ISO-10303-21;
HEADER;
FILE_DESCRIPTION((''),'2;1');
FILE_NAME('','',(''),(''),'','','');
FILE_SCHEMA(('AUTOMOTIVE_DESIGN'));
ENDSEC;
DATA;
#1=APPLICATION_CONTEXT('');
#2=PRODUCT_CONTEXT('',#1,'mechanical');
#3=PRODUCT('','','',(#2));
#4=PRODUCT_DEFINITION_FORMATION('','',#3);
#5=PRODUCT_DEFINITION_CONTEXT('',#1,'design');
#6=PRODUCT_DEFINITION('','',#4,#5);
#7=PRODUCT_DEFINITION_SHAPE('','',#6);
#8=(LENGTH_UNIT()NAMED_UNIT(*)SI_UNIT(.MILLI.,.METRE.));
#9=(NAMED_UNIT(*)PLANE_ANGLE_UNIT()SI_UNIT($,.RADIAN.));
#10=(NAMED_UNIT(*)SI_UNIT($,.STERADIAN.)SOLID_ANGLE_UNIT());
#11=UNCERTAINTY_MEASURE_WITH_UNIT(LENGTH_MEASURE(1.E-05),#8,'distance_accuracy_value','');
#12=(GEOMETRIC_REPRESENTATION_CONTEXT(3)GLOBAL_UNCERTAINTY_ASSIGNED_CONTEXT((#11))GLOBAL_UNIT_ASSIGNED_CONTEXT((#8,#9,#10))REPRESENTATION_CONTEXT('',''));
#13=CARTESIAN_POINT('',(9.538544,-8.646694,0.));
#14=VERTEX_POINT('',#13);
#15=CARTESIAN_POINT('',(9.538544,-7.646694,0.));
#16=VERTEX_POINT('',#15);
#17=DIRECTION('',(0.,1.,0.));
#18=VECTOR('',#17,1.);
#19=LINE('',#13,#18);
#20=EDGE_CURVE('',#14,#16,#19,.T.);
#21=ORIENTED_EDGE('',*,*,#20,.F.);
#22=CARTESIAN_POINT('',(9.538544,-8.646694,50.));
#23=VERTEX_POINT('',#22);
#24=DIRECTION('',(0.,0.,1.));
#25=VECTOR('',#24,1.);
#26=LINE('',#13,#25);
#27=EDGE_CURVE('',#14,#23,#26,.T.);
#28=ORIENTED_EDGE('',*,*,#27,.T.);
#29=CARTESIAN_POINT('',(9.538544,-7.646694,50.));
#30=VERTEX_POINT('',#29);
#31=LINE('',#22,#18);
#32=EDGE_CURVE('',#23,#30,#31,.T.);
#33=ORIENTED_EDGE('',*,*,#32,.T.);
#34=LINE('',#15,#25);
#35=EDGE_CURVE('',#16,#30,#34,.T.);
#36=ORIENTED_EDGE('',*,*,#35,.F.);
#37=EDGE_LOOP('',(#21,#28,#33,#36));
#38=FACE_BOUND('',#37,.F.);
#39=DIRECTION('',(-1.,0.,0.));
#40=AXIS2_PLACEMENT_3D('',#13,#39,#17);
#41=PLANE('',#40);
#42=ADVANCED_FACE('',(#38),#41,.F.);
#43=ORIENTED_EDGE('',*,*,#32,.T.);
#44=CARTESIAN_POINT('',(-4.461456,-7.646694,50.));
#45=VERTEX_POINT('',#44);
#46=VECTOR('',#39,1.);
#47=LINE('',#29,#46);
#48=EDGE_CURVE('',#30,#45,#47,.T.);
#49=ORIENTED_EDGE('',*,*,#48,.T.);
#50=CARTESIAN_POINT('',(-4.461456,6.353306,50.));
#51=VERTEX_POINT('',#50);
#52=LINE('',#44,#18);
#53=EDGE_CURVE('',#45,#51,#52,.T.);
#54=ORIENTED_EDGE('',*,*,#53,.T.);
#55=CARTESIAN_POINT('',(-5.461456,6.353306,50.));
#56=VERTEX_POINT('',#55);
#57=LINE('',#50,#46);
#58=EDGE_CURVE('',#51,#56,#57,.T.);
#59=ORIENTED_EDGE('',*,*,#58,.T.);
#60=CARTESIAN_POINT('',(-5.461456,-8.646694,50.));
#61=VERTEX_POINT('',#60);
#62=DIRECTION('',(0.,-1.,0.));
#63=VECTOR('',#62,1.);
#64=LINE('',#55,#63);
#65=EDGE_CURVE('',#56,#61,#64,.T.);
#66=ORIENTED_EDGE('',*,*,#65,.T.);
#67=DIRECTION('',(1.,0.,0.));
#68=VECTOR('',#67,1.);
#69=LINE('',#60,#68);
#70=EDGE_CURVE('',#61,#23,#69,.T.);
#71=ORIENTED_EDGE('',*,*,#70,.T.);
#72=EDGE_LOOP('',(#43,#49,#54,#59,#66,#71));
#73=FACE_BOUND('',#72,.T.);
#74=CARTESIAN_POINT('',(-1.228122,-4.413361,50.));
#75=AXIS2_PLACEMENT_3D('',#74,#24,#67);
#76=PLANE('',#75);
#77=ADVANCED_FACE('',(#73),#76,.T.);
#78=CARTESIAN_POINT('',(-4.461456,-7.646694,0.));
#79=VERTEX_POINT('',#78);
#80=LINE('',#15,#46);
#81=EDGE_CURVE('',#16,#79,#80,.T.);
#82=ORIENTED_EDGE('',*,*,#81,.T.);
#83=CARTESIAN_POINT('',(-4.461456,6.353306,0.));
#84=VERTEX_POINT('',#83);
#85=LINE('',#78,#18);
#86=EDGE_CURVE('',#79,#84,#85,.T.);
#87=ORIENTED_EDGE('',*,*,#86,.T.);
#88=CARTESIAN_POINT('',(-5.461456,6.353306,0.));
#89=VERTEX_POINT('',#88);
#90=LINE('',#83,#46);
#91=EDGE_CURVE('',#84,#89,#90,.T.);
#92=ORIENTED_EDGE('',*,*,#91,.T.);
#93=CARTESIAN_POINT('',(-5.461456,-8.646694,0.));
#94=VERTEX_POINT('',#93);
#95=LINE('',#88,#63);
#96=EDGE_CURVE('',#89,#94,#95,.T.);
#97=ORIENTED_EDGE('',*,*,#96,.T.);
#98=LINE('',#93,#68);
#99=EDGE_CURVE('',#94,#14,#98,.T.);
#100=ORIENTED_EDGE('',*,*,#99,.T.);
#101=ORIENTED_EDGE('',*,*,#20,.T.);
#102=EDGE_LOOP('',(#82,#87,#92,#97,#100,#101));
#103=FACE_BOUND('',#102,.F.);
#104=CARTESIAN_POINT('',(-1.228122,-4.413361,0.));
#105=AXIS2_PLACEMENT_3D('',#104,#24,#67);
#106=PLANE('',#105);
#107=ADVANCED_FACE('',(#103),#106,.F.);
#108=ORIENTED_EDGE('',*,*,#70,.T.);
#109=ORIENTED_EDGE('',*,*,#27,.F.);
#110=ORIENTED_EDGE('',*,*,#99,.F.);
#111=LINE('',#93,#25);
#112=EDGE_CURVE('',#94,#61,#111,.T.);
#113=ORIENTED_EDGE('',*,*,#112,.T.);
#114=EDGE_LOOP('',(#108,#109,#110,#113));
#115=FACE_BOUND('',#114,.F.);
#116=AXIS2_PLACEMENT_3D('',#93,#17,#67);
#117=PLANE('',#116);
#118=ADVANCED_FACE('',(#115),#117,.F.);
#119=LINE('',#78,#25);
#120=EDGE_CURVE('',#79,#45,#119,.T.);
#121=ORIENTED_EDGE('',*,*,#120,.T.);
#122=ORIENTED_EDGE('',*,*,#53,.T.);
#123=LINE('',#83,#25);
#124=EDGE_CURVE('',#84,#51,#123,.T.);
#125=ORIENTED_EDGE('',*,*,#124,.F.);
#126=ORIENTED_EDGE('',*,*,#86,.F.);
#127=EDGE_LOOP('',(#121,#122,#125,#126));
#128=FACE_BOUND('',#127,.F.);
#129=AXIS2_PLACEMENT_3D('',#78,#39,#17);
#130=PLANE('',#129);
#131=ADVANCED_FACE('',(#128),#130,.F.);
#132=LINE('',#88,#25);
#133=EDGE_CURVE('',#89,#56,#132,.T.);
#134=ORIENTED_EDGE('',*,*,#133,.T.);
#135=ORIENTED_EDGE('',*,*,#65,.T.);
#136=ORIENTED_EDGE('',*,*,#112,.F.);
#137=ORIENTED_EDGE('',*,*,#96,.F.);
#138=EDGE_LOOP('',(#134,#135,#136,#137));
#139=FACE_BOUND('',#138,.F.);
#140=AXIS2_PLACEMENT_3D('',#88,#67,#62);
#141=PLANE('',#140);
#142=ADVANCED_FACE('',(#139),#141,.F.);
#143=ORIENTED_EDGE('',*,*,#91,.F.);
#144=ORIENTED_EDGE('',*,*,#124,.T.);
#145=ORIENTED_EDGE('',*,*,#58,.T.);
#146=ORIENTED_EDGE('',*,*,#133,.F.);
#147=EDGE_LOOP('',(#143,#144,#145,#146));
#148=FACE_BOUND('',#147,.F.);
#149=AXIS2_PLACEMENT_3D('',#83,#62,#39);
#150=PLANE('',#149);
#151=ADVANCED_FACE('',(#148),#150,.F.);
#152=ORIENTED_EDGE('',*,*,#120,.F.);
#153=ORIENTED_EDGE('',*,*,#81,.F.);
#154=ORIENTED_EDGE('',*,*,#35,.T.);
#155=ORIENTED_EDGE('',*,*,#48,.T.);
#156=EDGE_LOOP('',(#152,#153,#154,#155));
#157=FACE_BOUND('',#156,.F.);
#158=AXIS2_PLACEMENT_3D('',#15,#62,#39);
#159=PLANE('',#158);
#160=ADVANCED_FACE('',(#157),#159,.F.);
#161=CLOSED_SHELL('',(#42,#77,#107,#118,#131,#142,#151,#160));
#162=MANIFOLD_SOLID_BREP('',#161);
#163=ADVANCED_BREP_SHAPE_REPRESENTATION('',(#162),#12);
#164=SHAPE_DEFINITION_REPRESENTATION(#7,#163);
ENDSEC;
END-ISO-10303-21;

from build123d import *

# Parameters (mm, degrees)
EXTRUDE_1_DEPTH = 50


with BuildPart() as part:
    # ｽｹｯﾁ1 → ﾎﾞｽ - 押し出し1 (new body)
    with BuildSketch(Plane.XY):
        Polygon((-4.461455774, 6.353305785), (-5.461455774, 6.353305785), (-5.461455774, -8.646694215), (9.538544226, -8.646694215), (9.538544226, -7.646694215), (-4.461455774, -7.646694215), align=None)
    extrude(amount=EXTRUDE_1_DEPTH)


solid = part.part
